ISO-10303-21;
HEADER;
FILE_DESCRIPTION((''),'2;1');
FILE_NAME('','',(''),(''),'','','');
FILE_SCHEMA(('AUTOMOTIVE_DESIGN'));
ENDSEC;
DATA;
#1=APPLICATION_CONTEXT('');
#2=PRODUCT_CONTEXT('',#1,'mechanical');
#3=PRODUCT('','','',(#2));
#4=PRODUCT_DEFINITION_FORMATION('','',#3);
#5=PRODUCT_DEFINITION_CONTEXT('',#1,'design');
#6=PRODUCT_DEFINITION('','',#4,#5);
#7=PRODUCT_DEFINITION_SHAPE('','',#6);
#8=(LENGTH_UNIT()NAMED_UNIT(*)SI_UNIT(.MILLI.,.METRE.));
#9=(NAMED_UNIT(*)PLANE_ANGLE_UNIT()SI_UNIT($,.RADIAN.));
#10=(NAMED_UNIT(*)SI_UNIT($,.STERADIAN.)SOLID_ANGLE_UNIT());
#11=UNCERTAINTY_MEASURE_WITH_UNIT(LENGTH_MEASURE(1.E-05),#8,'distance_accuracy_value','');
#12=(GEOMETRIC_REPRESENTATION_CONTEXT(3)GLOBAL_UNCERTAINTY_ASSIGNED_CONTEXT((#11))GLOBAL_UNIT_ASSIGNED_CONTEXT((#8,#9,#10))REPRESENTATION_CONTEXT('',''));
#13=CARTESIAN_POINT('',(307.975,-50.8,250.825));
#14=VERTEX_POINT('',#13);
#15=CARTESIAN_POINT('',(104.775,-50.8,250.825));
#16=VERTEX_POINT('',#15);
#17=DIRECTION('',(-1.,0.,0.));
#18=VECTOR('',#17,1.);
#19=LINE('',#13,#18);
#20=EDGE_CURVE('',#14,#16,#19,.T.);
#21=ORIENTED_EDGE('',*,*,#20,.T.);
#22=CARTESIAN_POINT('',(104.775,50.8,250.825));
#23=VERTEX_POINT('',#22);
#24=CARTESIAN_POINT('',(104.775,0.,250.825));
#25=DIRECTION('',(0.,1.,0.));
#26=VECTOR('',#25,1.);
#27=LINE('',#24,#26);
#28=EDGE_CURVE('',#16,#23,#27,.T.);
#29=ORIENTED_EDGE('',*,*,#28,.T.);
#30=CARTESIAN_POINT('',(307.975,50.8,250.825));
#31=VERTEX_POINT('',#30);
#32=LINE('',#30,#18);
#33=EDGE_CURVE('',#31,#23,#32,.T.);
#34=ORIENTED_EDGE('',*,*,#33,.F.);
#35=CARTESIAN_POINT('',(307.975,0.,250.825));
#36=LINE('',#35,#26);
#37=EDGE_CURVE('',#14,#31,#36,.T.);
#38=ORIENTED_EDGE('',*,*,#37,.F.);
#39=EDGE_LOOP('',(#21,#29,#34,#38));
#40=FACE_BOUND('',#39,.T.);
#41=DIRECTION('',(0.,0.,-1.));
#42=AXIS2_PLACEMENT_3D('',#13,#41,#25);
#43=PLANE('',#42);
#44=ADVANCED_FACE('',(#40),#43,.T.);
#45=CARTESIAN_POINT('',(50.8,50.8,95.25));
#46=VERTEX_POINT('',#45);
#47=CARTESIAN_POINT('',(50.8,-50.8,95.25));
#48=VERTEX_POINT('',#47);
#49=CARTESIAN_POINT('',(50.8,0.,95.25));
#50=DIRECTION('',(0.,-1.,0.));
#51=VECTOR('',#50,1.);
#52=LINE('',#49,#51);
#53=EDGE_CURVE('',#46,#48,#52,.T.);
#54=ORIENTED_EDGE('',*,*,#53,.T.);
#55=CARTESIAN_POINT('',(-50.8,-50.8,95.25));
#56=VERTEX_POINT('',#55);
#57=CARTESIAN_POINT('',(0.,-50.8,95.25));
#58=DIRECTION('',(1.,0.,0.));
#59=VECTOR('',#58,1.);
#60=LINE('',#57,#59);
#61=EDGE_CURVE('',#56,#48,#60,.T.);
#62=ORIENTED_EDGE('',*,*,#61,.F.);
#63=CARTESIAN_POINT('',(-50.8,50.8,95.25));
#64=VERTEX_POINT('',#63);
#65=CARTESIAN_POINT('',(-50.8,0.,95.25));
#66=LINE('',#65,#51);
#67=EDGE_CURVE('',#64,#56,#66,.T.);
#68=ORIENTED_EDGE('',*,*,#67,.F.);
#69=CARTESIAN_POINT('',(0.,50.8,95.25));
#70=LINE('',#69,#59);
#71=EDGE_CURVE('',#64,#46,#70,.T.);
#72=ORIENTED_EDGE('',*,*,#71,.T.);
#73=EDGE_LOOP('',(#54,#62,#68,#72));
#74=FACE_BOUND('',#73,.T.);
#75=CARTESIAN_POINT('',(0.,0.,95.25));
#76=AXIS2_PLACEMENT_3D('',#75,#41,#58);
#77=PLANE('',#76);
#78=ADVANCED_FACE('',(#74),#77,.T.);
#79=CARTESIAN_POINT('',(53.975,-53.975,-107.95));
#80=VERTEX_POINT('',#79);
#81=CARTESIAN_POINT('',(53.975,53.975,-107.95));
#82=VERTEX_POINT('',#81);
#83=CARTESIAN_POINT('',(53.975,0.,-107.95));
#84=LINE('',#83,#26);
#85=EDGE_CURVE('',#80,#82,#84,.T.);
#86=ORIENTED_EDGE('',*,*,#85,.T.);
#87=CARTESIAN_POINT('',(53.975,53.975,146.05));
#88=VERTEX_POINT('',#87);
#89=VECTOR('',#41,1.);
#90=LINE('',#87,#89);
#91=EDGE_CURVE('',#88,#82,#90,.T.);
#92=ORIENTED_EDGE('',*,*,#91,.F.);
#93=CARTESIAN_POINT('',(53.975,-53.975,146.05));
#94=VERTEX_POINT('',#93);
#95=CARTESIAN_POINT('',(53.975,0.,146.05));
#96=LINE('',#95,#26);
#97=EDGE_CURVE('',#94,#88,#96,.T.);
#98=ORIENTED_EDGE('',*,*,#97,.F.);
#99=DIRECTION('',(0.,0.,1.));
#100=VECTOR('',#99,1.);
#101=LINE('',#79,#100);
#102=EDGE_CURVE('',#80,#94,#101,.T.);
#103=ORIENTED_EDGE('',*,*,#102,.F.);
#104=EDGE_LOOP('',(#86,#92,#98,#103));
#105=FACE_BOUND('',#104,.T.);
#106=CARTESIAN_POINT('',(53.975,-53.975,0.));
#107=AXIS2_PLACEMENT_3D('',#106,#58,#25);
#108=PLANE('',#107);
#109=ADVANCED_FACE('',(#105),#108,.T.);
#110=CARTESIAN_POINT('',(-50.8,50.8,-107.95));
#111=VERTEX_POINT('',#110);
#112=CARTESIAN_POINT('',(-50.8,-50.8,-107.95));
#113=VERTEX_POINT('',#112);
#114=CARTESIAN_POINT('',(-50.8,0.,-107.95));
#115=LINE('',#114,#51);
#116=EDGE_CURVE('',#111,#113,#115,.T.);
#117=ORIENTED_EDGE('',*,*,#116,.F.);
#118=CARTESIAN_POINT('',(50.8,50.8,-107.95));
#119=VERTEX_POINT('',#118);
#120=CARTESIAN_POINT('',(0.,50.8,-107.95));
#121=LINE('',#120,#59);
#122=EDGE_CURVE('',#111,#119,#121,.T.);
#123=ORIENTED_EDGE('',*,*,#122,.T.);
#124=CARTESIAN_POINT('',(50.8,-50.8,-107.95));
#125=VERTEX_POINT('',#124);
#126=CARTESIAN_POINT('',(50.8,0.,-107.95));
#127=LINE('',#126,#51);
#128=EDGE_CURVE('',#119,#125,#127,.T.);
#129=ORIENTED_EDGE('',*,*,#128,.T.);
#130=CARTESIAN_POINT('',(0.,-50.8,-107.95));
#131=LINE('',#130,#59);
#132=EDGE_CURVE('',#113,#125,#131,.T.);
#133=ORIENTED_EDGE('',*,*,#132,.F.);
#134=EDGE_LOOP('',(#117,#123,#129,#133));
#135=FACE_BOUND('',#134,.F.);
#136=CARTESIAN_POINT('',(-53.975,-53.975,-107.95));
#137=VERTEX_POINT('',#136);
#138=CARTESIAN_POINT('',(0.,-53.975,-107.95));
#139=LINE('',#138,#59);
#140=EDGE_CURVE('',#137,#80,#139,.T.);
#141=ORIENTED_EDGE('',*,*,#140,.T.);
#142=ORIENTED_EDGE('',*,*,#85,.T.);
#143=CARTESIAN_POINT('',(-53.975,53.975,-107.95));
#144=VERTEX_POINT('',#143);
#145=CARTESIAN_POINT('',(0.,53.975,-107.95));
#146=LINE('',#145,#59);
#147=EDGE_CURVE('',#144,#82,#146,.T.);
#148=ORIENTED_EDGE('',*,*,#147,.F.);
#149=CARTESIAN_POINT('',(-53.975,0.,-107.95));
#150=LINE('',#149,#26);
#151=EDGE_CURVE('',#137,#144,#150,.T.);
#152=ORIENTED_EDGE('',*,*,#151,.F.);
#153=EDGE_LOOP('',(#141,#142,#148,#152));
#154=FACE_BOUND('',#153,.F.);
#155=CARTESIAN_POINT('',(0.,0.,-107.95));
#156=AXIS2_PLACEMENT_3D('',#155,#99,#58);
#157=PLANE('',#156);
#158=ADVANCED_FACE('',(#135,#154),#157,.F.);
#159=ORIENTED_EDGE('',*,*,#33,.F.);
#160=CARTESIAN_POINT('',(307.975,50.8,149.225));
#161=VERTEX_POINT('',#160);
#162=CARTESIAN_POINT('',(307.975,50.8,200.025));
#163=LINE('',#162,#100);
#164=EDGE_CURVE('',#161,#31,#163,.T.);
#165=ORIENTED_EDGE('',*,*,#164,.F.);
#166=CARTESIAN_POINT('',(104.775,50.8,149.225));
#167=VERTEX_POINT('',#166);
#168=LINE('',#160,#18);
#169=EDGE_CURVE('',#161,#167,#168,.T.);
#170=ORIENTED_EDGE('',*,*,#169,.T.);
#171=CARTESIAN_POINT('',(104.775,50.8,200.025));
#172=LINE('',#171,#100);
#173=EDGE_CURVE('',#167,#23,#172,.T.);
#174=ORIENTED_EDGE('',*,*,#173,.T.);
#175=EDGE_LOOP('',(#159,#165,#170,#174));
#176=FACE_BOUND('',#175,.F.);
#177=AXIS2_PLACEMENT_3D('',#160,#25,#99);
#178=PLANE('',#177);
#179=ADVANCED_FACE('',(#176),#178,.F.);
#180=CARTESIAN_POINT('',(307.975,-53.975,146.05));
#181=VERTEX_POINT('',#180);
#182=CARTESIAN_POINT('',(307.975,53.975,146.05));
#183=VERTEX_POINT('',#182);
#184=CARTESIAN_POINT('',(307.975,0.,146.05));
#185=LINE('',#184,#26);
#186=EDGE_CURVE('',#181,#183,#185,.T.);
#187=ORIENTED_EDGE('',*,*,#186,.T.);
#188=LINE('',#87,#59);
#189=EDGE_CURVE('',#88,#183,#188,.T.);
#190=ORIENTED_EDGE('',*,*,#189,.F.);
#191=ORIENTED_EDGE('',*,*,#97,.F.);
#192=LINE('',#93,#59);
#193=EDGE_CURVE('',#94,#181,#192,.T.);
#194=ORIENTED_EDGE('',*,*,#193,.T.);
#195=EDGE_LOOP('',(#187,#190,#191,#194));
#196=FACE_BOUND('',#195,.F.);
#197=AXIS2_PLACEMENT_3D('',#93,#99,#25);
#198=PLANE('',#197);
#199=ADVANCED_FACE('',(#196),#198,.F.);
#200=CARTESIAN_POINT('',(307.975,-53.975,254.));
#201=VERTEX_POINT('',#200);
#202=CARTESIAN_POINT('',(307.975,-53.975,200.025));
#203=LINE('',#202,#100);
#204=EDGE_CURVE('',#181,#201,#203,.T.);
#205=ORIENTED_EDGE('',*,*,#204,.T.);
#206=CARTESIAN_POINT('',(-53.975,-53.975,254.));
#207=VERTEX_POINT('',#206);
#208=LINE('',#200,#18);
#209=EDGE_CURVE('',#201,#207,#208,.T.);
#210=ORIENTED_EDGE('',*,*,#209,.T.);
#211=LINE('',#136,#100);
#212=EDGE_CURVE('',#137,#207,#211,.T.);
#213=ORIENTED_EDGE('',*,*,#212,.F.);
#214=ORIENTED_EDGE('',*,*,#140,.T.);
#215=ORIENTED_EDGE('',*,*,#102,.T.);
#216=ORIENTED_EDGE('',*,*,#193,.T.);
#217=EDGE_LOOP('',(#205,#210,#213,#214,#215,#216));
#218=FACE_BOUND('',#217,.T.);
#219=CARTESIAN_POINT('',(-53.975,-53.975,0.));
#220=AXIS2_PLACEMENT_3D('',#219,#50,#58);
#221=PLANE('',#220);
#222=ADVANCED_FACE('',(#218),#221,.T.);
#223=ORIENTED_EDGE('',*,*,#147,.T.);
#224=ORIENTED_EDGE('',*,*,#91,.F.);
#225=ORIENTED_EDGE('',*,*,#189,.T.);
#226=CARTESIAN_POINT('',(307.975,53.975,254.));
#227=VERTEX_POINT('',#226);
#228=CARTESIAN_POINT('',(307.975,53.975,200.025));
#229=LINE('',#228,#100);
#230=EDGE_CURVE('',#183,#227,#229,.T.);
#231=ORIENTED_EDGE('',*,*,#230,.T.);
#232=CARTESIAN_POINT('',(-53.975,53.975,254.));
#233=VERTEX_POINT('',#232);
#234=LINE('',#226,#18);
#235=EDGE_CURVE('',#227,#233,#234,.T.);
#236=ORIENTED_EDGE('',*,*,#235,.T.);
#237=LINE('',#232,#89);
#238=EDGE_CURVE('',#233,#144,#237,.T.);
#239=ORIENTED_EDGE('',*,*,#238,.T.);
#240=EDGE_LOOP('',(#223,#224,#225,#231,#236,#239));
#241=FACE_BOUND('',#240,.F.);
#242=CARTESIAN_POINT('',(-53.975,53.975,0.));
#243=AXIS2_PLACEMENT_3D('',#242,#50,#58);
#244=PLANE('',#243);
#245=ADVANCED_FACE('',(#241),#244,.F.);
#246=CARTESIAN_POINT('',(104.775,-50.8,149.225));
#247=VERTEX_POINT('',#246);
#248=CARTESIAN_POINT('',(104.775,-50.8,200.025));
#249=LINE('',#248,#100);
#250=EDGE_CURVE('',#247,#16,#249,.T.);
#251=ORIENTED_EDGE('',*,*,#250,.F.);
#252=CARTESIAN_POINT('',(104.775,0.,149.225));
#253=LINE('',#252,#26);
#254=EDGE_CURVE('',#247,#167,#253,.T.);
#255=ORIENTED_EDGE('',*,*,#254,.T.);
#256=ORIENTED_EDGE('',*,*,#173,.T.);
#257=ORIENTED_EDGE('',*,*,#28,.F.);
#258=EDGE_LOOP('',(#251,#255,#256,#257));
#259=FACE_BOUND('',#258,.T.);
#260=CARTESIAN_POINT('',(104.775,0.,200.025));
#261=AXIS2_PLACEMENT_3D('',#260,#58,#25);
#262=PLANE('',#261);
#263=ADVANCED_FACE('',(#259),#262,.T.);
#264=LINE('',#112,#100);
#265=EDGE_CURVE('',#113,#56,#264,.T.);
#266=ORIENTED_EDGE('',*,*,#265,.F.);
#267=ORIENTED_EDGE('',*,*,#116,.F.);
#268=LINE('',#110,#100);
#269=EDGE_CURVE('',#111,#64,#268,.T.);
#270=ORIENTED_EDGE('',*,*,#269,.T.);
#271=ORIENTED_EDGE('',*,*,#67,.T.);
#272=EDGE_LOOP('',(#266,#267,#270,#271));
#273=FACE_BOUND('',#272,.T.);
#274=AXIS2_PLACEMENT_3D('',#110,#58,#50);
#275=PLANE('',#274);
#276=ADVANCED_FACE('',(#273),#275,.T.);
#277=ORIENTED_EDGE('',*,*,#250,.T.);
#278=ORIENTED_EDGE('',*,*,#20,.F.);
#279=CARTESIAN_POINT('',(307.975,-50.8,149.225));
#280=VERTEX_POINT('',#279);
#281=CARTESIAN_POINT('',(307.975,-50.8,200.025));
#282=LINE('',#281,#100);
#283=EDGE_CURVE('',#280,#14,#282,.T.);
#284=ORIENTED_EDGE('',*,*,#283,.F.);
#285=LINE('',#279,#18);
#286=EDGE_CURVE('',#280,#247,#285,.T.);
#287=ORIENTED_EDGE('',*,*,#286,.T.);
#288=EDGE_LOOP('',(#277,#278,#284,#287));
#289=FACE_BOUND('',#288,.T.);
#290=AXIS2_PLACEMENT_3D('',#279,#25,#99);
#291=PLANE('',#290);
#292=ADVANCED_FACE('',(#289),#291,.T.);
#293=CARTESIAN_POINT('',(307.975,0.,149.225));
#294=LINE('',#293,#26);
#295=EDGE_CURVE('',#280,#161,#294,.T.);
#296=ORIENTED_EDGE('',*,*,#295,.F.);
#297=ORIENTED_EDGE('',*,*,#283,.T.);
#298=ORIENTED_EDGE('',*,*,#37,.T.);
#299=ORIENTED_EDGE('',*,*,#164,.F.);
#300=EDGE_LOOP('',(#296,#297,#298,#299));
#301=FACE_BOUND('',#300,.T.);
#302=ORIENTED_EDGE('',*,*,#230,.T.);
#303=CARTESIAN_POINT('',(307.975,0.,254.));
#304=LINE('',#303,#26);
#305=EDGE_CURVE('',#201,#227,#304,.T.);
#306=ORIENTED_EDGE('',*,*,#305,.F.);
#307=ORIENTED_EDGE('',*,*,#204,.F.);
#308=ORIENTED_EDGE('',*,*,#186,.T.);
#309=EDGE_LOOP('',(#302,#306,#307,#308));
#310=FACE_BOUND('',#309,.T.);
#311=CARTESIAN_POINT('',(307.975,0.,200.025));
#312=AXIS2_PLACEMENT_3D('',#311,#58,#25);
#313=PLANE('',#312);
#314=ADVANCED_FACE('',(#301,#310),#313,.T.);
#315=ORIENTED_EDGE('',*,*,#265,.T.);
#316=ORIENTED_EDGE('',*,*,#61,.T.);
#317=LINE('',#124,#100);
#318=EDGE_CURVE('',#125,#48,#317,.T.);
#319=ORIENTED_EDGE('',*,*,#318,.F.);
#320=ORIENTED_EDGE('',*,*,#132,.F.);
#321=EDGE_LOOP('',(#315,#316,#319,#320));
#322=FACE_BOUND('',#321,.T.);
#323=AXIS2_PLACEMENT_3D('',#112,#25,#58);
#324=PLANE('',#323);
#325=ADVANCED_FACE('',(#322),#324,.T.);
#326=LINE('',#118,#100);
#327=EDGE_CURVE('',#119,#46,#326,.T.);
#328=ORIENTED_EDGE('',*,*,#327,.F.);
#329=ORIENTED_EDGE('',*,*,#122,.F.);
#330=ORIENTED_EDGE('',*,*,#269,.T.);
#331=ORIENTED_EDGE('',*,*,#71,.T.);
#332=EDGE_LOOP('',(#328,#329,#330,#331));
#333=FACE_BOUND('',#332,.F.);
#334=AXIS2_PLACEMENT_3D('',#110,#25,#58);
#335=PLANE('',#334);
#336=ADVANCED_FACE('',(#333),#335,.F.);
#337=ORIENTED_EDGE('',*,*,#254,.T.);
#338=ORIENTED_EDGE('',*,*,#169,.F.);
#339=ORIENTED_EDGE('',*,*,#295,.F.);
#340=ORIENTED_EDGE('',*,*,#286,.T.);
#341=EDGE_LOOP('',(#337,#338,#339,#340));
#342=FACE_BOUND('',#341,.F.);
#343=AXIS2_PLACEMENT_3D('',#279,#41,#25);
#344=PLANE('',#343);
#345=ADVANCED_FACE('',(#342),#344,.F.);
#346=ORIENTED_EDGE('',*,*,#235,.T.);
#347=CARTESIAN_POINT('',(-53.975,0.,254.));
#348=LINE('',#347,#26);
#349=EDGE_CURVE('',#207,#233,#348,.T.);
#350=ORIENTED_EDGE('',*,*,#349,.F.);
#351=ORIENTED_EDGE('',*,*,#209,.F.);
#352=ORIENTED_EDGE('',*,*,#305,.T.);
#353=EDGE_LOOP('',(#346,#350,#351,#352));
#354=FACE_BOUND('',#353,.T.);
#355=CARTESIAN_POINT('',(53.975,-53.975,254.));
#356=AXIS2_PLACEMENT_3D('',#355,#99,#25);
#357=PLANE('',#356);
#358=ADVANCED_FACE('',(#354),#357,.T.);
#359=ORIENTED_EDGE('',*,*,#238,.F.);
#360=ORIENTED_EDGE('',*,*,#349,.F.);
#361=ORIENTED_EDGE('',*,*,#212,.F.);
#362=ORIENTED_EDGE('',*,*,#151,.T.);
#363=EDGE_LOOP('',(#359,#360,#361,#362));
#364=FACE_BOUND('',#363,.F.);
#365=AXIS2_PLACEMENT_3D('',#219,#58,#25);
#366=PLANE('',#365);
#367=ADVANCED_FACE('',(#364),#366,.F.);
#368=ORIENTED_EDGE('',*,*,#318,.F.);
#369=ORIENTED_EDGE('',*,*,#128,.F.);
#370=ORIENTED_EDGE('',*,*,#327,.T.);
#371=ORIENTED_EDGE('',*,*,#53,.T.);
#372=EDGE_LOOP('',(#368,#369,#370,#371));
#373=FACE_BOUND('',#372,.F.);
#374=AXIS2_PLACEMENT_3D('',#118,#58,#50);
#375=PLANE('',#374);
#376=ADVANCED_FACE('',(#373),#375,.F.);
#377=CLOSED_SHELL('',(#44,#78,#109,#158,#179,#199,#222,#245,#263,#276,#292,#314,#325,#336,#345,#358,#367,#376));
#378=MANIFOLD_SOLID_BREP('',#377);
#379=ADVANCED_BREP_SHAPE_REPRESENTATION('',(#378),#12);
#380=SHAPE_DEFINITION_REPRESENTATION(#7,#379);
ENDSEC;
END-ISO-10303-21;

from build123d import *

# Parameters (mm, degrees)
F0_W     = 107.95
F0_H     = 107.95
F1_DEPTH = 254
F2_W     = 107.95
F2_H     = 107.95
F3_DEPTH = 254
F4_DEPTH = 107.95
F5_W     = 101.6
F5_H     = 101.6
F6_DEPTH = 203.2
F7_W     = 101.6
F7_H     = 101.6
F8_DEPTH = 203.2


with BuildPart() as f1:
    # F0 (on Top) → F1 (new body)
    with BuildSketch(Plane.XY):
        Rectangle(F0_W, F0_H)
    extrude(amount=F1_DEPTH)

    # F2 (on face) → F3 (join)
    with BuildSketch(Plane.YZ.offset(53.975)):
        with Locations((0, 200.025)):
            Rectangle(F2_W, F2_H)
    extrude(amount=F3_DEPTH)

    # F4 (add): a face of the model
    f4_faces = [f1.faces().sort_by_distance(p)[0] for p in [
        (0, 0, 0),
    ]]
    extrude(f4_faces, amount=F4_DEPTH)

    # F5 (on face) → F6 (cut)
    with BuildSketch(Plane(origin=(0, 0, -107.95), x_dir=(1, 0, 0), z_dir=(0, 0, -1))):
        Rectangle(F5_W, F5_H)
    extrude(amount=-F6_DEPTH, mode=Mode.SUBTRACT)

    # F7 (on face) → F8 (cut)
    with BuildSketch(Plane.YZ.offset(307.975)):
        with Locations((0, 200.025)):
            Rectangle(F7_W, F7_H)
    extrude(amount=-F8_DEPTH, mode=Mode.SUBTRACT)


solid = f1.part
